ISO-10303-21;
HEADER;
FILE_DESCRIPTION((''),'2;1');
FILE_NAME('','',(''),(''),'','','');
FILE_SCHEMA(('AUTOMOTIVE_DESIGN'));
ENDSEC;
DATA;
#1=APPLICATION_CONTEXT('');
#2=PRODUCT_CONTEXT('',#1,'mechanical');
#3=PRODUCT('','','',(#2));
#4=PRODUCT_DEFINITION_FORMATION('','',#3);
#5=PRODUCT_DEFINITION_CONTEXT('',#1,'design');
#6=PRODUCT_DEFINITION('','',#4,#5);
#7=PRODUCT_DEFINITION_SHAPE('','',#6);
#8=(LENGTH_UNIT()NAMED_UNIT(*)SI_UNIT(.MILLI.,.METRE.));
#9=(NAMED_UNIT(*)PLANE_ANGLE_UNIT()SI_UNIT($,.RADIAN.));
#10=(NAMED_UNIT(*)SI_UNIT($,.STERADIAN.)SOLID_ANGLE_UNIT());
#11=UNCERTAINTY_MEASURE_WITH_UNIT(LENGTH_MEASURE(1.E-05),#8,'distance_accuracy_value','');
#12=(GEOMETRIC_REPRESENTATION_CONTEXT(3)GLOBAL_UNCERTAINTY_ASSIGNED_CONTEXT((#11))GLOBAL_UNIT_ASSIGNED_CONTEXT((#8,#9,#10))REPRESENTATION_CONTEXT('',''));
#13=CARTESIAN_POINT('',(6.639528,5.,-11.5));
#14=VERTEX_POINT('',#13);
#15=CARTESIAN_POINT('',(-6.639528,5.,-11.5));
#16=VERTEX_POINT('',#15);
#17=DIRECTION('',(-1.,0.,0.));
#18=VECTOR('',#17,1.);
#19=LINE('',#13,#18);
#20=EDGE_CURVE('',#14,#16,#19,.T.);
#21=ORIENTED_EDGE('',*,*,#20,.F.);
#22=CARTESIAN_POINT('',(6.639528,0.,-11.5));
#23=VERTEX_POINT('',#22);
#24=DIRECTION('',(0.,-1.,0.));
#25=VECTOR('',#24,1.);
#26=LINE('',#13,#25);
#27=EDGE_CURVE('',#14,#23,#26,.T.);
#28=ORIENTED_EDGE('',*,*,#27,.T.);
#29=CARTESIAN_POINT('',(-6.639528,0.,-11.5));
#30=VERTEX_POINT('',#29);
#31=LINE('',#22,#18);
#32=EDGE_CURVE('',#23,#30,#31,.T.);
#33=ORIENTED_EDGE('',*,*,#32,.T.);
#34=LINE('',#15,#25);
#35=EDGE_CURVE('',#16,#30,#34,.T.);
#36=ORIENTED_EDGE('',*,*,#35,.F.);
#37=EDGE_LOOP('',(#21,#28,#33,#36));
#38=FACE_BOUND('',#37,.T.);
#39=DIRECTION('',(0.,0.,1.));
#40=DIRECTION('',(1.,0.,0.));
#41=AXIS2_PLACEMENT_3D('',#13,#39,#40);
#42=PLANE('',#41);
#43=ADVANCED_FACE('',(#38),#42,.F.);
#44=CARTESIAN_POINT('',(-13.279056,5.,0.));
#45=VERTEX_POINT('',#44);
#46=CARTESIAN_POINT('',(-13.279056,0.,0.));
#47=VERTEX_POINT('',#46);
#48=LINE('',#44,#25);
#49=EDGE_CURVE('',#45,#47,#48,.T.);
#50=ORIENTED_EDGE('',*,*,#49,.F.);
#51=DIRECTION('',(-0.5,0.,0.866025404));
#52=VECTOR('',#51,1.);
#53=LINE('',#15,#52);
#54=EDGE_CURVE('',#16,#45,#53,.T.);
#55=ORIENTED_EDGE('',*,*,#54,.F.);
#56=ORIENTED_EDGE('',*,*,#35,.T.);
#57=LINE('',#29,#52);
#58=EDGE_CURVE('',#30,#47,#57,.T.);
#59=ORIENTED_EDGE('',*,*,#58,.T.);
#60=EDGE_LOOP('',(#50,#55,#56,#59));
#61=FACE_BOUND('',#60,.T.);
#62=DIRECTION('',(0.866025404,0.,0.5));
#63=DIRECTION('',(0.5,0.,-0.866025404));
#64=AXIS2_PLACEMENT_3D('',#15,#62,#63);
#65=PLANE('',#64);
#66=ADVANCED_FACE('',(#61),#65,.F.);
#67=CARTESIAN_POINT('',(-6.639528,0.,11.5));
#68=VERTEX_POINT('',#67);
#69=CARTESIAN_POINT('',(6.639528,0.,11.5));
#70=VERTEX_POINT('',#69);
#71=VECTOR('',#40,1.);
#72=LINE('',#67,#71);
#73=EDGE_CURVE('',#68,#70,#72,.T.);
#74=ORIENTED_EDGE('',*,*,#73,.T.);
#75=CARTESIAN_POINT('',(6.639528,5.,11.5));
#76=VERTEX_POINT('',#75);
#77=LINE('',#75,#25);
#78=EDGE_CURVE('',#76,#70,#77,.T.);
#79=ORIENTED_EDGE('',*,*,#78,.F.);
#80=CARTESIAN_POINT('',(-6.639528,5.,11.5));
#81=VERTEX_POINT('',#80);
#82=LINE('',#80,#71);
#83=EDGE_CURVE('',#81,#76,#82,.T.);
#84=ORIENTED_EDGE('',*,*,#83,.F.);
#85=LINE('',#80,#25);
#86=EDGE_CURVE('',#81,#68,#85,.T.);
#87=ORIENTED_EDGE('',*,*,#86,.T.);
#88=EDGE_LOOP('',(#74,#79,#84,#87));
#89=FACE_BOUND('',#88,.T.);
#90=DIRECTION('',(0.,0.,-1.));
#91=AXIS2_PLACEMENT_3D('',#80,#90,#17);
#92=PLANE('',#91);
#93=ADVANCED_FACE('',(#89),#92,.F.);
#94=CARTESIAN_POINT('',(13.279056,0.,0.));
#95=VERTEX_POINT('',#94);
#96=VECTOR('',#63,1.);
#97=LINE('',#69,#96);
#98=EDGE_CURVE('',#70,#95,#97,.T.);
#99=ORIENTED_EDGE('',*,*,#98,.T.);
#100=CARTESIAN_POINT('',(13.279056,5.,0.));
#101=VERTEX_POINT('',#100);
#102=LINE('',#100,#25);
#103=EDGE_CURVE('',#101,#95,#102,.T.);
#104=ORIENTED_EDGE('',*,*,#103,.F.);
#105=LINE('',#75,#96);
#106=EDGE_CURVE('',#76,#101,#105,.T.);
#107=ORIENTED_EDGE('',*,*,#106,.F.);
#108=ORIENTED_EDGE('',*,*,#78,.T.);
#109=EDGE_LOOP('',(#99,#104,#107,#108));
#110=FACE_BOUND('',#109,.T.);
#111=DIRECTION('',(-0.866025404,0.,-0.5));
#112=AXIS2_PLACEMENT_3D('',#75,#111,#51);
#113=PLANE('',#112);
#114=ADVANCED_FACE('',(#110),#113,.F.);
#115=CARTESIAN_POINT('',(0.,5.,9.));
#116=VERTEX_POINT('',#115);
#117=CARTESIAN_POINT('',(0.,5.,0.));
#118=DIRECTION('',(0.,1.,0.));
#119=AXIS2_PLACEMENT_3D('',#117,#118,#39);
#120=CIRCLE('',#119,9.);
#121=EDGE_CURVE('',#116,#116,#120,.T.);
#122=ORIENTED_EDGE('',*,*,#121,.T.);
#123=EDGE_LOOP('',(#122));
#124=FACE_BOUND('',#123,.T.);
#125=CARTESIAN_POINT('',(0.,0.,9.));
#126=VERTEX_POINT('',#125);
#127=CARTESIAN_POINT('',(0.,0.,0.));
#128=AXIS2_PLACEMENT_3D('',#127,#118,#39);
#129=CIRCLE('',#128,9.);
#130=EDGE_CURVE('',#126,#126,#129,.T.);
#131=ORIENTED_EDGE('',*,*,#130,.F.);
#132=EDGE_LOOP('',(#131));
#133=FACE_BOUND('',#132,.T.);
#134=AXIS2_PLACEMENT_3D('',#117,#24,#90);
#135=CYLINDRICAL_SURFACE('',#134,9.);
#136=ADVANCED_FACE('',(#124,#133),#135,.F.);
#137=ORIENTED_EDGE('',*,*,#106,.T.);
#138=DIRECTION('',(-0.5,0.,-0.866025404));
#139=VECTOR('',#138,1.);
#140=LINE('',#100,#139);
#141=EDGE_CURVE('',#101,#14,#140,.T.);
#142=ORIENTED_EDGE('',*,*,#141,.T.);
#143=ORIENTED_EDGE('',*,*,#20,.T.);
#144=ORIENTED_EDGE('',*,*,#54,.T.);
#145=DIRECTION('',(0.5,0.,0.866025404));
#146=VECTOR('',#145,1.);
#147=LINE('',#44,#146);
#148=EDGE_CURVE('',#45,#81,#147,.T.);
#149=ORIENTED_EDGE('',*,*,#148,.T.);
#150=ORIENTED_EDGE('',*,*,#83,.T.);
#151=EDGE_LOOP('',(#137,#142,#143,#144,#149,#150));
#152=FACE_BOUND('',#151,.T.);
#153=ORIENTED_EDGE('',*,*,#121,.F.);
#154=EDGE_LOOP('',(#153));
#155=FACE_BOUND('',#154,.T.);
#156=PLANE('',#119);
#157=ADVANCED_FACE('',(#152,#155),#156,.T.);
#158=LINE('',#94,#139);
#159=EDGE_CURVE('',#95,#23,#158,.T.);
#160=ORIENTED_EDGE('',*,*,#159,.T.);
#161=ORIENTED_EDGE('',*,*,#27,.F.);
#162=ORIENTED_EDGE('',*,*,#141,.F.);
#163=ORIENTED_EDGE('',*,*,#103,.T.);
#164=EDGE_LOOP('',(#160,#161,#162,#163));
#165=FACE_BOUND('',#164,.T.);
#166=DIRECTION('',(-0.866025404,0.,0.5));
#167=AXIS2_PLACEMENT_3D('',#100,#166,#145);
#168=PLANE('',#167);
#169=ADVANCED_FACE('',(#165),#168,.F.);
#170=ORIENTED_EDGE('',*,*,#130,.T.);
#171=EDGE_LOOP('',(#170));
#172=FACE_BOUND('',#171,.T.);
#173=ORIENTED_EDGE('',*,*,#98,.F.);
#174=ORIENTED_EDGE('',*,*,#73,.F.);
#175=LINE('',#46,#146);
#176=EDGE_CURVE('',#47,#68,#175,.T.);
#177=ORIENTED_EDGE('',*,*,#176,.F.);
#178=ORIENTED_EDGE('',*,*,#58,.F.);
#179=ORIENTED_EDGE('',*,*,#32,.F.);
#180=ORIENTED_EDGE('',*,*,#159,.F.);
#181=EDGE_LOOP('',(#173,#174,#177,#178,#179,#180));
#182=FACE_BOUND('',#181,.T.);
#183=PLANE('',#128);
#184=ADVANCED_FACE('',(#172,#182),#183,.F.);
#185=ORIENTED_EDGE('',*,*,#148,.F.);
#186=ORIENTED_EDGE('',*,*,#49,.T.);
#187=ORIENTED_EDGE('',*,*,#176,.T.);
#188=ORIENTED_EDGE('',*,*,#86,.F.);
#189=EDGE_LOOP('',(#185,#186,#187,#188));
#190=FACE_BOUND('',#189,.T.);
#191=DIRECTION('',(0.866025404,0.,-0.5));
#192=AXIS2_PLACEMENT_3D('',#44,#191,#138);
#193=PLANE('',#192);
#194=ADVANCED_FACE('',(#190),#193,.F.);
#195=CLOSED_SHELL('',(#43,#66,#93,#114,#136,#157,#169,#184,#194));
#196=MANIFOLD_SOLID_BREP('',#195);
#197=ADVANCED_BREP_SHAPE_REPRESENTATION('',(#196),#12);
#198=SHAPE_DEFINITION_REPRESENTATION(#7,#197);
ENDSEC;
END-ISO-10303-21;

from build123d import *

# Parameters (mm, degrees)
SKETCH1_R           = 9
BOSS_EXTRUDE1_DEPTH = 5


with BuildPart() as part:
    # Sketch1 → Boss-Extrude1 (new body)
    with BuildSketch(Plane(origin=(0, 0, 0), x_dir=(1, 0, 0), z_dir=(0, 1, 0))):
        Polygon((13.279056191, 0), (6.639528096, 11.5), (-6.639528096, 11.5), (-13.279056191, 0), (-6.639528096, -11.5), (6.639528096, -11.5), align=None)
        Circle(SKETCH1_R, mode=Mode.SUBTRACT)
    extrude(amount=BOSS_EXTRUDE1_DEPTH)


solid = part.part
